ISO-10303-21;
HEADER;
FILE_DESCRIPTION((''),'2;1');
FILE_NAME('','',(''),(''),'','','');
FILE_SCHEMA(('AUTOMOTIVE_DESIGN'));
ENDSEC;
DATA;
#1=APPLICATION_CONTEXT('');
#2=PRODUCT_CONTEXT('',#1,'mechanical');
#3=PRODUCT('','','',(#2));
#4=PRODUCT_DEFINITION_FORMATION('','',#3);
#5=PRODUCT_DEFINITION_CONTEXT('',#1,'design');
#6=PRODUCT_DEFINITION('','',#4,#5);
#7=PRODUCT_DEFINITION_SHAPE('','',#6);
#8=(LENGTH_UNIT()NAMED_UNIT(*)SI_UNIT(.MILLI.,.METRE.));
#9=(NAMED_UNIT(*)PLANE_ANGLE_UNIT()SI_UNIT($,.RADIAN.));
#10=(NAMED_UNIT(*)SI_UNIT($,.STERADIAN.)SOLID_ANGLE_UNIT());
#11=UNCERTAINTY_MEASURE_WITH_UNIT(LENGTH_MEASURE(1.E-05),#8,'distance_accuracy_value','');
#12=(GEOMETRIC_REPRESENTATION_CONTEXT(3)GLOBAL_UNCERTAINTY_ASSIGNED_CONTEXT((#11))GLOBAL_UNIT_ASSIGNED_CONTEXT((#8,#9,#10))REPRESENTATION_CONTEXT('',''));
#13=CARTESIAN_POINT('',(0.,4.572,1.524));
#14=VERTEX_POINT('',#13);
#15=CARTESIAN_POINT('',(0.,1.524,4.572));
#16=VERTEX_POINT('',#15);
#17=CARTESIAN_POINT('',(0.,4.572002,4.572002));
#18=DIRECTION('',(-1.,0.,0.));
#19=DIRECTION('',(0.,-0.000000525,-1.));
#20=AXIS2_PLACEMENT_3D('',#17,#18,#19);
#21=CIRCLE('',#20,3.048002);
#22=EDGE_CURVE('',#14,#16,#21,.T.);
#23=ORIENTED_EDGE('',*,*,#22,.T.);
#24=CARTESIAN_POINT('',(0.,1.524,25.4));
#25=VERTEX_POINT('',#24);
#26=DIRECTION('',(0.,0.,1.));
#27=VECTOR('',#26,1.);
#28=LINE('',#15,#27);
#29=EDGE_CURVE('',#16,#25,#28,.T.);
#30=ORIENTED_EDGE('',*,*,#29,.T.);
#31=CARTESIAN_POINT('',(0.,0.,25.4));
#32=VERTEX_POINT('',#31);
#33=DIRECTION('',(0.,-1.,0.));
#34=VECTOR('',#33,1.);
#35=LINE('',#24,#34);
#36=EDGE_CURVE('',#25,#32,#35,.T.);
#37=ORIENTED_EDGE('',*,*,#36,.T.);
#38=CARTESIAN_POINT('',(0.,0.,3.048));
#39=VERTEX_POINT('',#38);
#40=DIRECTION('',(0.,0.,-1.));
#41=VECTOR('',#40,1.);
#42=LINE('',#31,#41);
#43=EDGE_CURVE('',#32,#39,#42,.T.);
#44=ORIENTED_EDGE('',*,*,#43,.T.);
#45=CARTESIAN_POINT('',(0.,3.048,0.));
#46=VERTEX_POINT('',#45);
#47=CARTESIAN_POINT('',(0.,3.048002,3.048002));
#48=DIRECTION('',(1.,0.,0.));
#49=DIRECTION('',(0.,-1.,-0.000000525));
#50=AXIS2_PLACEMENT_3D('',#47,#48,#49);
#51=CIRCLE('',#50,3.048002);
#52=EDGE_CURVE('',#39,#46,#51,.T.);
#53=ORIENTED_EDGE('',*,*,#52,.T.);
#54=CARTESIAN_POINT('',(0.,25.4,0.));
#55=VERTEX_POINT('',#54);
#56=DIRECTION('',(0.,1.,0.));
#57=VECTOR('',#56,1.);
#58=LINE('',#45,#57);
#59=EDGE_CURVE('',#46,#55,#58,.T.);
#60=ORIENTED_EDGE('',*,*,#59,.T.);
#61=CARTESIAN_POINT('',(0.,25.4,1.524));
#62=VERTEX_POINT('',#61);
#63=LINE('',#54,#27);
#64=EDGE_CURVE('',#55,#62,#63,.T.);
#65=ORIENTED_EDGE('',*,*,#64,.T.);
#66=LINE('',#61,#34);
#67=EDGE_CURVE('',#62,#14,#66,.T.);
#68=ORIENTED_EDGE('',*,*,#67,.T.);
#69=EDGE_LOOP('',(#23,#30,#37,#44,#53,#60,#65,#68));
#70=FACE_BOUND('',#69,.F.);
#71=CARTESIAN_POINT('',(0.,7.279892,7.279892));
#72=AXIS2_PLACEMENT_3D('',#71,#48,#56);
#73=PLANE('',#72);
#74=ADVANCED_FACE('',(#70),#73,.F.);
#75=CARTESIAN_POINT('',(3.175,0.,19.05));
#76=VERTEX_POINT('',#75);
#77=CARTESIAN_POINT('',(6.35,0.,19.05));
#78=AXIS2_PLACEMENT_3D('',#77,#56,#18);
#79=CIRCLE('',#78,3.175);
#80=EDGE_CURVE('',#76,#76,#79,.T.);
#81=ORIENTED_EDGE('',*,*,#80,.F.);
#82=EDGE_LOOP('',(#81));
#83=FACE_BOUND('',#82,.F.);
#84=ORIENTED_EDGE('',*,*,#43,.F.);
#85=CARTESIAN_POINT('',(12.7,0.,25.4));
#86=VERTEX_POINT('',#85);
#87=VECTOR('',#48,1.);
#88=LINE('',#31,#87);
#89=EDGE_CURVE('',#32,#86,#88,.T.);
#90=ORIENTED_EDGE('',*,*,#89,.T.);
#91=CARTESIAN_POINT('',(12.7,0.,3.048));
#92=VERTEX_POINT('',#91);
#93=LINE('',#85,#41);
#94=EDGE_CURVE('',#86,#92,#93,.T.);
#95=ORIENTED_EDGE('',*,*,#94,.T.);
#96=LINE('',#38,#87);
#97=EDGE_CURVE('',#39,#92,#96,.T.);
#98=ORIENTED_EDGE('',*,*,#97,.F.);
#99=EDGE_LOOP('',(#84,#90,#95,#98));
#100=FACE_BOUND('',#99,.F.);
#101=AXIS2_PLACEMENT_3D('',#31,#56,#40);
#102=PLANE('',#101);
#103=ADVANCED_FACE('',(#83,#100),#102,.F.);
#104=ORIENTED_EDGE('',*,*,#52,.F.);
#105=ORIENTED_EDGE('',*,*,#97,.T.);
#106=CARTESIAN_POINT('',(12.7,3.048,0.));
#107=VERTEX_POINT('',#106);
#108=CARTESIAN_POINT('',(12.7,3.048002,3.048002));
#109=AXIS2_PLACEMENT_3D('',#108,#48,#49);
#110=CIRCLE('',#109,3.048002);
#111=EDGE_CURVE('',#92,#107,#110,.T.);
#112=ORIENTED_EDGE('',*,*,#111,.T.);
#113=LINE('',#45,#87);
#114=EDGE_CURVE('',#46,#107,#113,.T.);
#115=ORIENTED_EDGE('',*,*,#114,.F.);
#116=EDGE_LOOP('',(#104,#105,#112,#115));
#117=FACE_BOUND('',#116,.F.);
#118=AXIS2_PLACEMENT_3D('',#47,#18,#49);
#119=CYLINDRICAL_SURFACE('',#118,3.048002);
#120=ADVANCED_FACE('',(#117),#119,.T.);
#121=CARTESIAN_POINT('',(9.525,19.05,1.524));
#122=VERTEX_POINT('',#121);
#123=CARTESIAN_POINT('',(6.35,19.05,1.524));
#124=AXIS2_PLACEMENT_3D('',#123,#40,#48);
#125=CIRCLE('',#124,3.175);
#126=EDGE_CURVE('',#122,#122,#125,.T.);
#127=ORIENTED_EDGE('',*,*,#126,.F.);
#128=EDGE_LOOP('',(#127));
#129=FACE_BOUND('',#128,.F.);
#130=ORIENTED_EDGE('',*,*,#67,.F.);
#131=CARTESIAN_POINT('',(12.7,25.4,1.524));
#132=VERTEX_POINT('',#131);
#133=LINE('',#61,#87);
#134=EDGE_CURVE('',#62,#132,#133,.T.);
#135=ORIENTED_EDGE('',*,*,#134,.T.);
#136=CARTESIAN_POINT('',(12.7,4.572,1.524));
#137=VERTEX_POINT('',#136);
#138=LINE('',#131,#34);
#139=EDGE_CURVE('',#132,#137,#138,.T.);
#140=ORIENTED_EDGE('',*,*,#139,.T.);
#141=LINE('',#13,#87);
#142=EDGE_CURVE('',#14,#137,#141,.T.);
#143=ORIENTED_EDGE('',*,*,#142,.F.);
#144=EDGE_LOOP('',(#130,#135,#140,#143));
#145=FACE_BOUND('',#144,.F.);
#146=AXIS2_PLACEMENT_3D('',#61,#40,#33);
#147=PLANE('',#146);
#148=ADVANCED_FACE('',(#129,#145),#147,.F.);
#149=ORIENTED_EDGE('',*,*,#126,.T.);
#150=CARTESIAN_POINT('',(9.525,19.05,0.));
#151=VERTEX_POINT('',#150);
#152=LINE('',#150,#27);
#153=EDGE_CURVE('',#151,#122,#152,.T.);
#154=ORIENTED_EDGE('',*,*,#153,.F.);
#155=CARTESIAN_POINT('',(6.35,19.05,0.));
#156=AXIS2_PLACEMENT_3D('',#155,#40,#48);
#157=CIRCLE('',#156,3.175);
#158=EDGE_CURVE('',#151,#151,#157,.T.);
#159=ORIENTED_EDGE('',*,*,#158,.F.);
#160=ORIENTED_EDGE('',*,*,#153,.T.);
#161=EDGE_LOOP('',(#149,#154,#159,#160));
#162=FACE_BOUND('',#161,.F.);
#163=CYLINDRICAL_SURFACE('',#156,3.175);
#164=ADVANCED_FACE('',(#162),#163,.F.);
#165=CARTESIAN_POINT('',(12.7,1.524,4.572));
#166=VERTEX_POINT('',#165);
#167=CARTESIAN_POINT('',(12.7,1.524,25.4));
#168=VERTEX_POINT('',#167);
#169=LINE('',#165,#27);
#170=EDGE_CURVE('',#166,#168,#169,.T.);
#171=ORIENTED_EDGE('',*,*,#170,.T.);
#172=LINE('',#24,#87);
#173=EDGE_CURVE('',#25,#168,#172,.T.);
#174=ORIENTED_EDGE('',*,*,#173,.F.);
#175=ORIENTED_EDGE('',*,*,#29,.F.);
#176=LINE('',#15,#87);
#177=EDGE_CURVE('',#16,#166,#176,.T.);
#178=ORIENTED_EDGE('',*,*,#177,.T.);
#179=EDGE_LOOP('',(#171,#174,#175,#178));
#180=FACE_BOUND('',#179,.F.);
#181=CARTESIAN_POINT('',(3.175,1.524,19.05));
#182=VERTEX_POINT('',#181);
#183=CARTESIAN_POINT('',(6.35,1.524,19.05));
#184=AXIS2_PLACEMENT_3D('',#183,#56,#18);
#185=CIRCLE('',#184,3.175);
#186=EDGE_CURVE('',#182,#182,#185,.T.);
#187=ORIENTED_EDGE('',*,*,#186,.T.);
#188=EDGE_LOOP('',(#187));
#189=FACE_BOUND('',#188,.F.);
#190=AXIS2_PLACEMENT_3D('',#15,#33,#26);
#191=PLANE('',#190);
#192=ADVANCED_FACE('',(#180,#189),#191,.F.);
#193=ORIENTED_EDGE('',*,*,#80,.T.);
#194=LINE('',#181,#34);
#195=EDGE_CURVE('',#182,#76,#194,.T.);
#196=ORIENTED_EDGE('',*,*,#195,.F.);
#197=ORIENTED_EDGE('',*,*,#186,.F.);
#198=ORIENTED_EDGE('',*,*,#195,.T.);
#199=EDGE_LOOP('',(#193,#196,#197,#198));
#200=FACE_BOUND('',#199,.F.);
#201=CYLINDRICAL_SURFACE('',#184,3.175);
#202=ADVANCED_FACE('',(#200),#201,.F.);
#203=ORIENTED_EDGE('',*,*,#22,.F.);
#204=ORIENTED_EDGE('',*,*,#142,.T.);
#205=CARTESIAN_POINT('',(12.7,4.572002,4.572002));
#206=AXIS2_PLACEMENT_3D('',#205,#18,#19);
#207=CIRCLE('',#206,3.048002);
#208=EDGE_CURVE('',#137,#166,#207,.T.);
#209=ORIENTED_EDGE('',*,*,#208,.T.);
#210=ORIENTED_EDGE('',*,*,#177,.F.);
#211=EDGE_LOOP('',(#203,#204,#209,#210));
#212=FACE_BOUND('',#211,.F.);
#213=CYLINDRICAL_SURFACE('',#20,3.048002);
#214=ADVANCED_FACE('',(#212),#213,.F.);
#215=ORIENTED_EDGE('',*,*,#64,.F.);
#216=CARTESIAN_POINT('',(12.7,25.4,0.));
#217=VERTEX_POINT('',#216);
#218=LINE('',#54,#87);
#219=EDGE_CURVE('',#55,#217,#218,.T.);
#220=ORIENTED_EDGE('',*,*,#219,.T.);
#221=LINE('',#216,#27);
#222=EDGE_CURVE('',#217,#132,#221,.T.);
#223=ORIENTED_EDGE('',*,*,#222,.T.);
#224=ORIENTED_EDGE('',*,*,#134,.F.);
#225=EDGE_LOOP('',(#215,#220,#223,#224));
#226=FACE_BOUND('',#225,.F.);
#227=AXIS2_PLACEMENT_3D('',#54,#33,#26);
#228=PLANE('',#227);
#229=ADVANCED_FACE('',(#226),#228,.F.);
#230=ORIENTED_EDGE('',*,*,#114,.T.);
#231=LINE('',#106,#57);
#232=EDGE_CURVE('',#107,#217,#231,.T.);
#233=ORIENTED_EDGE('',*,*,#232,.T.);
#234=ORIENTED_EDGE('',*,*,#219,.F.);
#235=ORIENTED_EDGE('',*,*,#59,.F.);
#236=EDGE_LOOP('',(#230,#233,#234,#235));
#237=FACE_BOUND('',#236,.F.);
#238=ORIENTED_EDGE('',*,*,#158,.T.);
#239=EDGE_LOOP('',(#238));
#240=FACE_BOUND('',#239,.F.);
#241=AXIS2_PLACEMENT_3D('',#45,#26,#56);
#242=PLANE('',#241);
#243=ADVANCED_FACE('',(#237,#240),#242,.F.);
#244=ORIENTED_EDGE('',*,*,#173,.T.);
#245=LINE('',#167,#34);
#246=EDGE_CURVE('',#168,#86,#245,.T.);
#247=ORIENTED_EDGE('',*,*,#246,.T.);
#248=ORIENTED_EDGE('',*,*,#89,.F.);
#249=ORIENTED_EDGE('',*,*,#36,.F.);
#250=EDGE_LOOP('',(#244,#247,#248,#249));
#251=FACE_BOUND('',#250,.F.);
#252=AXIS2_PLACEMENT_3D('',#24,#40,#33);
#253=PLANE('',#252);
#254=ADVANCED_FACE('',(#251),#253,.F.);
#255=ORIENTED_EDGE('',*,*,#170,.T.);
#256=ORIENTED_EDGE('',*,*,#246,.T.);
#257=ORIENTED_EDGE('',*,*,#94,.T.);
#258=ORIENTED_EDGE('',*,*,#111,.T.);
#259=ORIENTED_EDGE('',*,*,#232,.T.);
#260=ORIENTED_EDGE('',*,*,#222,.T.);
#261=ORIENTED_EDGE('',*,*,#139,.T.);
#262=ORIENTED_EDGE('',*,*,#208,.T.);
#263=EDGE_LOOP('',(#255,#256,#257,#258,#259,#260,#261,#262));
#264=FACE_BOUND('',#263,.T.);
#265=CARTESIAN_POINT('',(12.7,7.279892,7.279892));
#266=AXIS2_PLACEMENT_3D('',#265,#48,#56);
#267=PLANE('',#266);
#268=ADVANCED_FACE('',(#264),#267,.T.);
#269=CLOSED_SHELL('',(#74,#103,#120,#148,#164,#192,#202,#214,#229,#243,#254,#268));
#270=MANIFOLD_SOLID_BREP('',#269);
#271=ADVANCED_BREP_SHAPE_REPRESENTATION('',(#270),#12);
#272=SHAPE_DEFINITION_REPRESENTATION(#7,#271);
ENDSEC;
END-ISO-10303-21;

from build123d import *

# Parameters (mm, degrees)
F1_DEPTH = 12.7
F2_R     = 3.175
F3_DEPTH = 25.4
F4_R     = 3.175
F5_DEPTH = 25.4


with BuildPart() as f1:
    # F0 (on Right) → F1 (new body)
    with BuildSketch(Plane.YZ):
        with BuildLine():
            Line((0, 25.4), (0, 3.048))
            ThreePointArc((0, 3.048), (0.892739, 0.892739), (3.048, 0))
            Line((3.048, 0), (25.4, 0))
            Line((25.4, 0), (25.4, 1.524))
            Line((25.4, 1.524), (4.572, 1.524))
            ThreePointArc((4.572, 1.524), (2.416739, 2.416739), (1.524, 4.572))
            Line((1.524, 4.572), (1.524, 25.4))
            Line((1.524, 25.4), (0, 25.4))
        make_face()
    extrude(amount=F1_DEPTH)

    # F2 (on face) → F3 (cut)
    with BuildSketch(Plane(origin=(0, 1.524, 0), x_dir=(-1, 0, 0), z_dir=(0, 1, 0))):
        with Locations((-6.35, 19.05)):
            Circle(F2_R)
    extrude(amount=-F3_DEPTH, mode=Mode.SUBTRACT)

    # F4 (on face) → F5 (cut)
    with BuildSketch(Plane(origin=(0, 0, 0), x_dir=(1, 0, 0), z_dir=(0, 0, -1))):
        with Locations((6.35, -19.05)):
            Circle(F4_R)
    extrude(amount=-F5_DEPTH, mode=Mode.SUBTRACT)


solid = f1.part
